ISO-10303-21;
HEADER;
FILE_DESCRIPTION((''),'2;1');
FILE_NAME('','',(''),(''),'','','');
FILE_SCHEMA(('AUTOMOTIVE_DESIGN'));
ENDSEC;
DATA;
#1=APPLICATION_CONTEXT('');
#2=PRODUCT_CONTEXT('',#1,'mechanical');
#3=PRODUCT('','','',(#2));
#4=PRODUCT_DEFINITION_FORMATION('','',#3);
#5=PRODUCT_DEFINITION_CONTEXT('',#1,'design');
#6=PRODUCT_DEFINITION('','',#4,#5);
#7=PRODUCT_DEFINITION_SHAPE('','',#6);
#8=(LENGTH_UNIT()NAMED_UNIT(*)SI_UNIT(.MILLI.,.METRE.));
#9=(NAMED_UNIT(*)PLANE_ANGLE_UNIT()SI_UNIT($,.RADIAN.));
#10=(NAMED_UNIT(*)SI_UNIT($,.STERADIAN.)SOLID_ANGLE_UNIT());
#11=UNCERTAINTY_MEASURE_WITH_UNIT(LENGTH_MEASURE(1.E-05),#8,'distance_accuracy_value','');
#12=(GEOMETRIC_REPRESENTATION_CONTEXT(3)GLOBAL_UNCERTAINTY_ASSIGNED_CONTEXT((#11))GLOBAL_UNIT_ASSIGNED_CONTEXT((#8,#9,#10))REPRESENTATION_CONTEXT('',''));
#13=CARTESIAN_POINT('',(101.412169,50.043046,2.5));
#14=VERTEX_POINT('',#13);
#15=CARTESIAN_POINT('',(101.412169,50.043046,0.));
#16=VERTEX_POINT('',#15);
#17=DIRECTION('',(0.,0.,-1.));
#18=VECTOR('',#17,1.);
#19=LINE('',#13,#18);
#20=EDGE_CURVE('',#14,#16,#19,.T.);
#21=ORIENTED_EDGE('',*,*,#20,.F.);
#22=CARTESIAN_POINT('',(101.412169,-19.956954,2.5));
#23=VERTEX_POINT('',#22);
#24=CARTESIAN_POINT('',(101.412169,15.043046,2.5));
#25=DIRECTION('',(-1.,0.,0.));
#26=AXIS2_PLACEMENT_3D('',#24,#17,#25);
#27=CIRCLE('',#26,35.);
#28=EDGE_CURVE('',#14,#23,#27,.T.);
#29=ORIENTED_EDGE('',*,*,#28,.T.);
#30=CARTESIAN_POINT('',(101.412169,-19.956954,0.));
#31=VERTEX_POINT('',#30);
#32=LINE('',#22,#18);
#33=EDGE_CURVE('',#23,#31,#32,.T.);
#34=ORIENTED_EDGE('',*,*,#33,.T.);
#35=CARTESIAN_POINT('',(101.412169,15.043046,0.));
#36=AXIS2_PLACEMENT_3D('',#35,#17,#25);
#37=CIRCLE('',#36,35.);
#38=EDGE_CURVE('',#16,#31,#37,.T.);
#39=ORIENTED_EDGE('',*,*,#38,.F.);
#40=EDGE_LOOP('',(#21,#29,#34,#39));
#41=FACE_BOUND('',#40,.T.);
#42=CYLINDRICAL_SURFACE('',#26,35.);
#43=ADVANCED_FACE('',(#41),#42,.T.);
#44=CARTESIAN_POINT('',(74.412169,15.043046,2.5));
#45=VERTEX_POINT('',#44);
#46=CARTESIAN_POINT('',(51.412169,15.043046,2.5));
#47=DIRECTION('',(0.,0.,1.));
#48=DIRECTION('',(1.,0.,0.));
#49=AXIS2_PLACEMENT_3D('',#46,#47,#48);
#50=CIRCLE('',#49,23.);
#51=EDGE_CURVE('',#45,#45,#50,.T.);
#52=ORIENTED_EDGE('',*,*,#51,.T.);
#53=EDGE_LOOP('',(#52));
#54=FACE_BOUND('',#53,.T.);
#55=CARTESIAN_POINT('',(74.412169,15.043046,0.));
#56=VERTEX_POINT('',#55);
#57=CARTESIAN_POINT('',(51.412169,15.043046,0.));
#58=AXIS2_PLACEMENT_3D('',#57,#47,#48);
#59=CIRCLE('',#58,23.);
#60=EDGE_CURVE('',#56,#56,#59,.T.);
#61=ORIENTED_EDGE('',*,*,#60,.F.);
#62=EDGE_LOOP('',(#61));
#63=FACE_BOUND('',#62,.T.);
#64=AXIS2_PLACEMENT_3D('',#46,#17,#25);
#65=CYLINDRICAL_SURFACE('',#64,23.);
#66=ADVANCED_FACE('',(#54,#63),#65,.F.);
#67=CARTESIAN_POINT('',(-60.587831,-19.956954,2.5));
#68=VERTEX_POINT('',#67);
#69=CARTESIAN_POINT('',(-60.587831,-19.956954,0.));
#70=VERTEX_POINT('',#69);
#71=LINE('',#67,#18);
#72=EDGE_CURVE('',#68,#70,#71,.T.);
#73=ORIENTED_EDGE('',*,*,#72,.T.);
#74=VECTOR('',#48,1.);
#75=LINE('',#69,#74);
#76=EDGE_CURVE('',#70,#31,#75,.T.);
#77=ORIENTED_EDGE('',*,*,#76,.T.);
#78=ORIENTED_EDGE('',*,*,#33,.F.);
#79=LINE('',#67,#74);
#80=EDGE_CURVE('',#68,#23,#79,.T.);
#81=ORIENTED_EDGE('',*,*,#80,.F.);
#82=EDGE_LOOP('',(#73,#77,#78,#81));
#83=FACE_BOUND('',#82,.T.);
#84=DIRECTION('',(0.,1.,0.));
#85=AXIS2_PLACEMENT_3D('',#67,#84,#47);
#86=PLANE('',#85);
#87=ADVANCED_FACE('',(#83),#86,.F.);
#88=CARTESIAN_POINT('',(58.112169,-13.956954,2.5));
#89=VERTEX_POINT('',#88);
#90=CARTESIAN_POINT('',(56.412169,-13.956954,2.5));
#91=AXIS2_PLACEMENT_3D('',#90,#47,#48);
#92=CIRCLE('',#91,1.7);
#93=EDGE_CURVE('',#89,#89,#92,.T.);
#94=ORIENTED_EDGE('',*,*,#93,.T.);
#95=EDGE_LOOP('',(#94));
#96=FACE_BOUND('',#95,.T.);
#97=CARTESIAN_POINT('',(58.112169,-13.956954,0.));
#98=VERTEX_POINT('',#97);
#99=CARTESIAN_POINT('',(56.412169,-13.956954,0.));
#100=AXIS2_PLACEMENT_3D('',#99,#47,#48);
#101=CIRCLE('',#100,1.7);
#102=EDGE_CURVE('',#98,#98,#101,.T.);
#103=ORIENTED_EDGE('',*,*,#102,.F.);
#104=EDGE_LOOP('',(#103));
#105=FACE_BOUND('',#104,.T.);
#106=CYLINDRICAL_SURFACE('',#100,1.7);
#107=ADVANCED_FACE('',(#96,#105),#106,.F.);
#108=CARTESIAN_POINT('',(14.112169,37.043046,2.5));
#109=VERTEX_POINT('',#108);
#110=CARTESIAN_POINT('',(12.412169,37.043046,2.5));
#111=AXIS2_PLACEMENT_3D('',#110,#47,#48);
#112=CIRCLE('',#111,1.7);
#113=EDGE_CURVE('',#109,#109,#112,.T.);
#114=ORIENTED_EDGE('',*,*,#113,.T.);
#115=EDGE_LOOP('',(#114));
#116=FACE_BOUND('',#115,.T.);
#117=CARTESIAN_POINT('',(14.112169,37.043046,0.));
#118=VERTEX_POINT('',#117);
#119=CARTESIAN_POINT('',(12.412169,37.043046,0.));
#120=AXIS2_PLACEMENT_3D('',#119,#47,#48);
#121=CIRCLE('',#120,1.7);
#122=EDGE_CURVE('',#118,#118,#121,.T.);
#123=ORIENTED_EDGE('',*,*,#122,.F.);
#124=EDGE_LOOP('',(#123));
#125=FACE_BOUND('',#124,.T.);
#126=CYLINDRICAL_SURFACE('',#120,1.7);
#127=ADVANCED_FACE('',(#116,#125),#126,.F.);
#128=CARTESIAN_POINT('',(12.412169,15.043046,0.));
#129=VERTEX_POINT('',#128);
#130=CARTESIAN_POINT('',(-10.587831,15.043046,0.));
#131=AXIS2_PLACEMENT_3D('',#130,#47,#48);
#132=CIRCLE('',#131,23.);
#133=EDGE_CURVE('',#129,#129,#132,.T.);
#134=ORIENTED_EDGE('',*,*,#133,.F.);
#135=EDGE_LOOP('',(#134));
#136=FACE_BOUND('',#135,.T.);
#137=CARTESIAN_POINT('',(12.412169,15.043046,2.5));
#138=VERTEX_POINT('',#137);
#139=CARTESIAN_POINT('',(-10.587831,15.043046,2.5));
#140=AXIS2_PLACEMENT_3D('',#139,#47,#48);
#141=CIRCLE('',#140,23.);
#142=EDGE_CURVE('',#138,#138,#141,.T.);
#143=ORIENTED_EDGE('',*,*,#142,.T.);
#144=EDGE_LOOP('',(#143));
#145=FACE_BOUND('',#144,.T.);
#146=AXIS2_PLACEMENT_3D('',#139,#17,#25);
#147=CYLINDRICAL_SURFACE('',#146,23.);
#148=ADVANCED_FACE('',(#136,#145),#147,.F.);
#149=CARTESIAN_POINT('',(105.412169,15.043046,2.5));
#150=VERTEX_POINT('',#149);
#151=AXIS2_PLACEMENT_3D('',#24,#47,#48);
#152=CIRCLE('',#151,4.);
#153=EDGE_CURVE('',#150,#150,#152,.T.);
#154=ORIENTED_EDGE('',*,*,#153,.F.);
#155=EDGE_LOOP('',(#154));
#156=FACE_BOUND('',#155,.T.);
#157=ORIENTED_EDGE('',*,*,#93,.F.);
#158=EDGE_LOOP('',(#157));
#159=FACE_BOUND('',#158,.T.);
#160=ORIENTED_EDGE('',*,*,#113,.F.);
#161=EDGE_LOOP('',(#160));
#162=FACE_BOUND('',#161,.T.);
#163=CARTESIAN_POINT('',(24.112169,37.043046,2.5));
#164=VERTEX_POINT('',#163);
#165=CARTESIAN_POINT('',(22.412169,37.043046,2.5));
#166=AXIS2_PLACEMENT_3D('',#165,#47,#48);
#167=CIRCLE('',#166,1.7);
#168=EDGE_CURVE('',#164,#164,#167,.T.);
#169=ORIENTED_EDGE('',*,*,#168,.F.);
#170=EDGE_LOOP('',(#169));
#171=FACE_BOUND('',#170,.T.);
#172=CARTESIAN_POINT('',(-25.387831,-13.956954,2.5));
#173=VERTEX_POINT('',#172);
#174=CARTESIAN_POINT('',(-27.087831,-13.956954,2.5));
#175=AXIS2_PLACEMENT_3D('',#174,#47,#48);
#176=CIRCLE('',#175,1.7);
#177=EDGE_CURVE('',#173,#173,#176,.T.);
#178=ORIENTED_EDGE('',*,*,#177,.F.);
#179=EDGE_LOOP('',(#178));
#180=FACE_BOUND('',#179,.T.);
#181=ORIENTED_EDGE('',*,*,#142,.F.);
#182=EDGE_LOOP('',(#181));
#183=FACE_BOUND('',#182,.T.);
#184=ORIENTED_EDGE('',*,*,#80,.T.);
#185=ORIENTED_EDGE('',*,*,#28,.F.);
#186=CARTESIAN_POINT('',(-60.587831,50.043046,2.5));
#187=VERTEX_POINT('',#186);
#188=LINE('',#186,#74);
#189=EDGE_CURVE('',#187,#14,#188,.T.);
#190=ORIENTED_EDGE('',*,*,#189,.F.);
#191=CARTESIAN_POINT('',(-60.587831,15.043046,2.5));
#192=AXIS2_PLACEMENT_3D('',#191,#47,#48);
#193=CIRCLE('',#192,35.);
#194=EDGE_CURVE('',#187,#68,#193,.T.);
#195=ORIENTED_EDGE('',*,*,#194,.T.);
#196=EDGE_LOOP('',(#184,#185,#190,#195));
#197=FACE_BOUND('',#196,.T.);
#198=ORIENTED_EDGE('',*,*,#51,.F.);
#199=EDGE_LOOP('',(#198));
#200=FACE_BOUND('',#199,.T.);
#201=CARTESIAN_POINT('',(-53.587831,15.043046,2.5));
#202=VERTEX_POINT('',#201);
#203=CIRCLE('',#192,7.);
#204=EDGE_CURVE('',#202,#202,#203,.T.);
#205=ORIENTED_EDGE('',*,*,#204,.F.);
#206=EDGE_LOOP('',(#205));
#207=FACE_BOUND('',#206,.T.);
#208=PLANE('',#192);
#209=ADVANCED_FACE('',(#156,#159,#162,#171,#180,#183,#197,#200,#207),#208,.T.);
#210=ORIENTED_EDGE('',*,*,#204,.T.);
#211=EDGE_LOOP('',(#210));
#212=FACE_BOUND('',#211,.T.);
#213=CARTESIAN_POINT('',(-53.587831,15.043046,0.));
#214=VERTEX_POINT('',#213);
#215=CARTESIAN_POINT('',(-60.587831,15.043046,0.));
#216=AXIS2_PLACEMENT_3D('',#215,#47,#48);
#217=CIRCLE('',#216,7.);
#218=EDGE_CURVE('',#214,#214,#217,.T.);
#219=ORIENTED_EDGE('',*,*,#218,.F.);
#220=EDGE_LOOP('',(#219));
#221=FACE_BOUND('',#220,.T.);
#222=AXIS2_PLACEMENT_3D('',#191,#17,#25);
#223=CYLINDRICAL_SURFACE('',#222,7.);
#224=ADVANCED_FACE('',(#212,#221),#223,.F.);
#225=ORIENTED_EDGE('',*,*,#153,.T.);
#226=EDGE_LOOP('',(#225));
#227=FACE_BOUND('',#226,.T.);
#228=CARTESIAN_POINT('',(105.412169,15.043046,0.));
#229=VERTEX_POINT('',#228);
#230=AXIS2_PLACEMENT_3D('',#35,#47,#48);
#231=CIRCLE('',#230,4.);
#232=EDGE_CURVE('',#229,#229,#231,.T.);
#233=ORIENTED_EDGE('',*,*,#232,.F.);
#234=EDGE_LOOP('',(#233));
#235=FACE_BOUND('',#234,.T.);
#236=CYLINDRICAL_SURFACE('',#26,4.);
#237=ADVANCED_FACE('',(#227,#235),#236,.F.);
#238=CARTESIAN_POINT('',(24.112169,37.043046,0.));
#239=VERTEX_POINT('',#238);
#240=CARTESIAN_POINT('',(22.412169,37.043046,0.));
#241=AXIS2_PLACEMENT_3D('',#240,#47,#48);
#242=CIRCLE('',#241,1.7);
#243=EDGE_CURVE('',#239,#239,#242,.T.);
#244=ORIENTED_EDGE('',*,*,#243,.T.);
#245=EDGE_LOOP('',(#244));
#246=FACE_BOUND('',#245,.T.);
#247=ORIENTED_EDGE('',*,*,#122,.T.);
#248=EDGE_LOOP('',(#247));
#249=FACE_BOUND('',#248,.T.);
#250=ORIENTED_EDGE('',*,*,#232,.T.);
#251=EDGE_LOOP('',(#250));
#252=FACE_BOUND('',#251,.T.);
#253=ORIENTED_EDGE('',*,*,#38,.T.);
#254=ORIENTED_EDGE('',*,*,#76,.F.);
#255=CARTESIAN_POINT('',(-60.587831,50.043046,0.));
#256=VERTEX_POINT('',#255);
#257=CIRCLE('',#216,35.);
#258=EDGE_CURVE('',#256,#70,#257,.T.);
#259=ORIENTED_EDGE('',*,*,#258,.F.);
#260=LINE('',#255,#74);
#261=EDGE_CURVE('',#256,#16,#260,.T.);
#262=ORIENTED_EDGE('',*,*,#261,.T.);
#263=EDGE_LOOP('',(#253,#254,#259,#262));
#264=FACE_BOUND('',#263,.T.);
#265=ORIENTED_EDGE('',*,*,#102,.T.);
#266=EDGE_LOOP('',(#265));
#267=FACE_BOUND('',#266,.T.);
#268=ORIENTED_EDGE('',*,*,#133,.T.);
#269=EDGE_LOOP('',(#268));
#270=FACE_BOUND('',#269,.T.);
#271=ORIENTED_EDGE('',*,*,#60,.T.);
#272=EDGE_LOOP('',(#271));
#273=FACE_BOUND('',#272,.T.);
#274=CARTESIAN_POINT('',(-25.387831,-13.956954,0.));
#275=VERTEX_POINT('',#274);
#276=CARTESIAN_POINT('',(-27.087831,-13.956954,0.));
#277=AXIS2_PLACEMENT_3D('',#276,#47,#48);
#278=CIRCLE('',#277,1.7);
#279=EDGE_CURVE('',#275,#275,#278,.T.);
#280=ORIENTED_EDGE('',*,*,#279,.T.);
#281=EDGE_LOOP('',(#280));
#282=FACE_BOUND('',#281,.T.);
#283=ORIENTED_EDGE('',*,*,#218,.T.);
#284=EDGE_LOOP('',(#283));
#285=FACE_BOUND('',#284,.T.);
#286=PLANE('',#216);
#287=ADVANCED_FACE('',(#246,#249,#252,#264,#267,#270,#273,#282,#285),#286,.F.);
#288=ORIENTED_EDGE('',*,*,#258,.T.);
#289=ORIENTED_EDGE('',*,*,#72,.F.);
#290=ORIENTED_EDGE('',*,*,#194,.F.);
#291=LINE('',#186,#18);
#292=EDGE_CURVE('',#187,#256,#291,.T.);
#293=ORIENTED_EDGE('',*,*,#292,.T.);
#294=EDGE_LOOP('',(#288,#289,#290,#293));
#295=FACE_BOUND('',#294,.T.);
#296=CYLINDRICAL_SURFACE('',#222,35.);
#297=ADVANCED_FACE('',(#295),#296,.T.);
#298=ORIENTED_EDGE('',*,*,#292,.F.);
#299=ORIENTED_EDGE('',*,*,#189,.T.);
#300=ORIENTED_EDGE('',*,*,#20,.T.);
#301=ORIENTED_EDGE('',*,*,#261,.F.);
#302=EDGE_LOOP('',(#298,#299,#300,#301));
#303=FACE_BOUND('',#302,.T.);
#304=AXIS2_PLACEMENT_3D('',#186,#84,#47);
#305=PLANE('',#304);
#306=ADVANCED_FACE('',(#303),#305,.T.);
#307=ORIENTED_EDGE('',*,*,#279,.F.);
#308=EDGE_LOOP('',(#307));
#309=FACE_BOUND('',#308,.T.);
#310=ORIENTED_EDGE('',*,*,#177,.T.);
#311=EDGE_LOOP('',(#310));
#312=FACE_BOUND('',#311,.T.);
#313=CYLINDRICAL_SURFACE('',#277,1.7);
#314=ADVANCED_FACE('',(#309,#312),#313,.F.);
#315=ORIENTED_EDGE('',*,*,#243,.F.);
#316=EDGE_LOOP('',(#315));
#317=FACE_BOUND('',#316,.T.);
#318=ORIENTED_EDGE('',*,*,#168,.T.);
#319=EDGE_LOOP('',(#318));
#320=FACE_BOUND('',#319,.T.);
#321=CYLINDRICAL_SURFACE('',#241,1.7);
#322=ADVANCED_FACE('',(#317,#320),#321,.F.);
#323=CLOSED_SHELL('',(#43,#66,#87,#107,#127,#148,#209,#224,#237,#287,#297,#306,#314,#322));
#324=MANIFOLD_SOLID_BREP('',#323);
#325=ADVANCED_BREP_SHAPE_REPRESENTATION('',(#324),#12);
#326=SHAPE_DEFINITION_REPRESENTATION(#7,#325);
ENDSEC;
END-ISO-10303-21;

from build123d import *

# Parameters (mm, degrees)
ESQUISSE2_R                = 7
ESQUISSE2_R_2              = 4
ESQUISSE2_R_3              = 23
BASE_EXTRUSION_DEPTH       = 2.5
ESQUISSE9_R                = 1.7
ENL_V_MAT_EXTRU_2_DEPTH    = 146.323213238
R_P_TITION_LIN_AIRE1_COUNT = 2
R_P_TITION_LIN_AIRE1_PITCH = 10
ESQUISSE10_R               = 1.7
ENL_V_MAT_EXTRU_3_DEPTH    = 146.323213238
R_P_TITION_LIN_AIRE2_COUNT = 2
R_P_TITION_LIN_AIRE2_PITCH = 83.5


with BuildPart() as part:
    # Esquisse2 → Base-Extrusion (new body)
    with BuildSketch(Plane.XY):
        with BuildLine():
            Line((-60.587831126, 50.043046358), (101.412168874, 50.043046358))
            ThreePointArc((101.412168874, 50.043046358), (136.412168874, 15.043046358), (101.412168874, -19.956953642))
            Line((101.412168874, -19.956953642), (-60.587831126, -19.956953642))
            ThreePointArc((-60.587831126, -19.956953642), (-95.587831126, 15.043046358), (-60.587831126, 50.043046358))
        make_face()
        with Locations((-60.587831126, 15.043046358)):
            Circle(ESQUISSE2_R, mode=Mode.SUBTRACT)
        with Locations((101.412168874, 15.043046358)):
            Circle(ESQUISSE2_R_2, mode=Mode.SUBTRACT)
        with Locations((51.412168874, 15.043046358)):
            Circle(ESQUISSE2_R_3, mode=Mode.SUBTRACT)
        with Locations((-10.587831126, 15.043046358)):
            Circle(ESQUISSE2_R_3, mode=Mode.SUBTRACT)
    extrude(amount=BASE_EXTRUSION_DEPTH)

    # Esquisse9 → Enlèv. mat.-Extru.2 (cut, through all)
    with BuildSketch(Plane.XY.offset(2.5)):
        with Locations((12.412168874, 37.043046358)):
            Circle(ESQUISSE9_R)
    enl_v_mat_extru_2 = extrude(amount=-ENL_V_MAT_EXTRU_2_DEPTH, mode=Mode.SUBTRACT)

    # Répétition linéaire1: Enlèv. mat.-Extru.2 ×2
    with Locations(*[(i * R_P_TITION_LIN_AIRE1_PITCH, 0, 0) for i in range(1, R_P_TITION_LIN_AIRE1_COUNT)]):
        add(enl_v_mat_extru_2, mode=Mode.SUBTRACT)

    # Esquisse10 → Enlèv. mat.-Extru.3 (cut, through all)
    with BuildSketch(Plane.XY.offset(2.5)):
        with Locations((-27.087831126, -13.956953642)):
            Circle(ESQUISSE10_R)
    enl_v_mat_extru_3 = extrude(amount=-ENL_V_MAT_EXTRU_3_DEPTH, mode=Mode.SUBTRACT)

    # Répétition linéaire2: Enlèv. mat.-Extru.3 ×2
    with Locations(*[(i * R_P_TITION_LIN_AIRE2_PITCH, 0, 0) for i in range(1, R_P_TITION_LIN_AIRE2_COUNT)]):
        add(enl_v_mat_extru_3, mode=Mode.SUBTRACT)


solid = part.part
